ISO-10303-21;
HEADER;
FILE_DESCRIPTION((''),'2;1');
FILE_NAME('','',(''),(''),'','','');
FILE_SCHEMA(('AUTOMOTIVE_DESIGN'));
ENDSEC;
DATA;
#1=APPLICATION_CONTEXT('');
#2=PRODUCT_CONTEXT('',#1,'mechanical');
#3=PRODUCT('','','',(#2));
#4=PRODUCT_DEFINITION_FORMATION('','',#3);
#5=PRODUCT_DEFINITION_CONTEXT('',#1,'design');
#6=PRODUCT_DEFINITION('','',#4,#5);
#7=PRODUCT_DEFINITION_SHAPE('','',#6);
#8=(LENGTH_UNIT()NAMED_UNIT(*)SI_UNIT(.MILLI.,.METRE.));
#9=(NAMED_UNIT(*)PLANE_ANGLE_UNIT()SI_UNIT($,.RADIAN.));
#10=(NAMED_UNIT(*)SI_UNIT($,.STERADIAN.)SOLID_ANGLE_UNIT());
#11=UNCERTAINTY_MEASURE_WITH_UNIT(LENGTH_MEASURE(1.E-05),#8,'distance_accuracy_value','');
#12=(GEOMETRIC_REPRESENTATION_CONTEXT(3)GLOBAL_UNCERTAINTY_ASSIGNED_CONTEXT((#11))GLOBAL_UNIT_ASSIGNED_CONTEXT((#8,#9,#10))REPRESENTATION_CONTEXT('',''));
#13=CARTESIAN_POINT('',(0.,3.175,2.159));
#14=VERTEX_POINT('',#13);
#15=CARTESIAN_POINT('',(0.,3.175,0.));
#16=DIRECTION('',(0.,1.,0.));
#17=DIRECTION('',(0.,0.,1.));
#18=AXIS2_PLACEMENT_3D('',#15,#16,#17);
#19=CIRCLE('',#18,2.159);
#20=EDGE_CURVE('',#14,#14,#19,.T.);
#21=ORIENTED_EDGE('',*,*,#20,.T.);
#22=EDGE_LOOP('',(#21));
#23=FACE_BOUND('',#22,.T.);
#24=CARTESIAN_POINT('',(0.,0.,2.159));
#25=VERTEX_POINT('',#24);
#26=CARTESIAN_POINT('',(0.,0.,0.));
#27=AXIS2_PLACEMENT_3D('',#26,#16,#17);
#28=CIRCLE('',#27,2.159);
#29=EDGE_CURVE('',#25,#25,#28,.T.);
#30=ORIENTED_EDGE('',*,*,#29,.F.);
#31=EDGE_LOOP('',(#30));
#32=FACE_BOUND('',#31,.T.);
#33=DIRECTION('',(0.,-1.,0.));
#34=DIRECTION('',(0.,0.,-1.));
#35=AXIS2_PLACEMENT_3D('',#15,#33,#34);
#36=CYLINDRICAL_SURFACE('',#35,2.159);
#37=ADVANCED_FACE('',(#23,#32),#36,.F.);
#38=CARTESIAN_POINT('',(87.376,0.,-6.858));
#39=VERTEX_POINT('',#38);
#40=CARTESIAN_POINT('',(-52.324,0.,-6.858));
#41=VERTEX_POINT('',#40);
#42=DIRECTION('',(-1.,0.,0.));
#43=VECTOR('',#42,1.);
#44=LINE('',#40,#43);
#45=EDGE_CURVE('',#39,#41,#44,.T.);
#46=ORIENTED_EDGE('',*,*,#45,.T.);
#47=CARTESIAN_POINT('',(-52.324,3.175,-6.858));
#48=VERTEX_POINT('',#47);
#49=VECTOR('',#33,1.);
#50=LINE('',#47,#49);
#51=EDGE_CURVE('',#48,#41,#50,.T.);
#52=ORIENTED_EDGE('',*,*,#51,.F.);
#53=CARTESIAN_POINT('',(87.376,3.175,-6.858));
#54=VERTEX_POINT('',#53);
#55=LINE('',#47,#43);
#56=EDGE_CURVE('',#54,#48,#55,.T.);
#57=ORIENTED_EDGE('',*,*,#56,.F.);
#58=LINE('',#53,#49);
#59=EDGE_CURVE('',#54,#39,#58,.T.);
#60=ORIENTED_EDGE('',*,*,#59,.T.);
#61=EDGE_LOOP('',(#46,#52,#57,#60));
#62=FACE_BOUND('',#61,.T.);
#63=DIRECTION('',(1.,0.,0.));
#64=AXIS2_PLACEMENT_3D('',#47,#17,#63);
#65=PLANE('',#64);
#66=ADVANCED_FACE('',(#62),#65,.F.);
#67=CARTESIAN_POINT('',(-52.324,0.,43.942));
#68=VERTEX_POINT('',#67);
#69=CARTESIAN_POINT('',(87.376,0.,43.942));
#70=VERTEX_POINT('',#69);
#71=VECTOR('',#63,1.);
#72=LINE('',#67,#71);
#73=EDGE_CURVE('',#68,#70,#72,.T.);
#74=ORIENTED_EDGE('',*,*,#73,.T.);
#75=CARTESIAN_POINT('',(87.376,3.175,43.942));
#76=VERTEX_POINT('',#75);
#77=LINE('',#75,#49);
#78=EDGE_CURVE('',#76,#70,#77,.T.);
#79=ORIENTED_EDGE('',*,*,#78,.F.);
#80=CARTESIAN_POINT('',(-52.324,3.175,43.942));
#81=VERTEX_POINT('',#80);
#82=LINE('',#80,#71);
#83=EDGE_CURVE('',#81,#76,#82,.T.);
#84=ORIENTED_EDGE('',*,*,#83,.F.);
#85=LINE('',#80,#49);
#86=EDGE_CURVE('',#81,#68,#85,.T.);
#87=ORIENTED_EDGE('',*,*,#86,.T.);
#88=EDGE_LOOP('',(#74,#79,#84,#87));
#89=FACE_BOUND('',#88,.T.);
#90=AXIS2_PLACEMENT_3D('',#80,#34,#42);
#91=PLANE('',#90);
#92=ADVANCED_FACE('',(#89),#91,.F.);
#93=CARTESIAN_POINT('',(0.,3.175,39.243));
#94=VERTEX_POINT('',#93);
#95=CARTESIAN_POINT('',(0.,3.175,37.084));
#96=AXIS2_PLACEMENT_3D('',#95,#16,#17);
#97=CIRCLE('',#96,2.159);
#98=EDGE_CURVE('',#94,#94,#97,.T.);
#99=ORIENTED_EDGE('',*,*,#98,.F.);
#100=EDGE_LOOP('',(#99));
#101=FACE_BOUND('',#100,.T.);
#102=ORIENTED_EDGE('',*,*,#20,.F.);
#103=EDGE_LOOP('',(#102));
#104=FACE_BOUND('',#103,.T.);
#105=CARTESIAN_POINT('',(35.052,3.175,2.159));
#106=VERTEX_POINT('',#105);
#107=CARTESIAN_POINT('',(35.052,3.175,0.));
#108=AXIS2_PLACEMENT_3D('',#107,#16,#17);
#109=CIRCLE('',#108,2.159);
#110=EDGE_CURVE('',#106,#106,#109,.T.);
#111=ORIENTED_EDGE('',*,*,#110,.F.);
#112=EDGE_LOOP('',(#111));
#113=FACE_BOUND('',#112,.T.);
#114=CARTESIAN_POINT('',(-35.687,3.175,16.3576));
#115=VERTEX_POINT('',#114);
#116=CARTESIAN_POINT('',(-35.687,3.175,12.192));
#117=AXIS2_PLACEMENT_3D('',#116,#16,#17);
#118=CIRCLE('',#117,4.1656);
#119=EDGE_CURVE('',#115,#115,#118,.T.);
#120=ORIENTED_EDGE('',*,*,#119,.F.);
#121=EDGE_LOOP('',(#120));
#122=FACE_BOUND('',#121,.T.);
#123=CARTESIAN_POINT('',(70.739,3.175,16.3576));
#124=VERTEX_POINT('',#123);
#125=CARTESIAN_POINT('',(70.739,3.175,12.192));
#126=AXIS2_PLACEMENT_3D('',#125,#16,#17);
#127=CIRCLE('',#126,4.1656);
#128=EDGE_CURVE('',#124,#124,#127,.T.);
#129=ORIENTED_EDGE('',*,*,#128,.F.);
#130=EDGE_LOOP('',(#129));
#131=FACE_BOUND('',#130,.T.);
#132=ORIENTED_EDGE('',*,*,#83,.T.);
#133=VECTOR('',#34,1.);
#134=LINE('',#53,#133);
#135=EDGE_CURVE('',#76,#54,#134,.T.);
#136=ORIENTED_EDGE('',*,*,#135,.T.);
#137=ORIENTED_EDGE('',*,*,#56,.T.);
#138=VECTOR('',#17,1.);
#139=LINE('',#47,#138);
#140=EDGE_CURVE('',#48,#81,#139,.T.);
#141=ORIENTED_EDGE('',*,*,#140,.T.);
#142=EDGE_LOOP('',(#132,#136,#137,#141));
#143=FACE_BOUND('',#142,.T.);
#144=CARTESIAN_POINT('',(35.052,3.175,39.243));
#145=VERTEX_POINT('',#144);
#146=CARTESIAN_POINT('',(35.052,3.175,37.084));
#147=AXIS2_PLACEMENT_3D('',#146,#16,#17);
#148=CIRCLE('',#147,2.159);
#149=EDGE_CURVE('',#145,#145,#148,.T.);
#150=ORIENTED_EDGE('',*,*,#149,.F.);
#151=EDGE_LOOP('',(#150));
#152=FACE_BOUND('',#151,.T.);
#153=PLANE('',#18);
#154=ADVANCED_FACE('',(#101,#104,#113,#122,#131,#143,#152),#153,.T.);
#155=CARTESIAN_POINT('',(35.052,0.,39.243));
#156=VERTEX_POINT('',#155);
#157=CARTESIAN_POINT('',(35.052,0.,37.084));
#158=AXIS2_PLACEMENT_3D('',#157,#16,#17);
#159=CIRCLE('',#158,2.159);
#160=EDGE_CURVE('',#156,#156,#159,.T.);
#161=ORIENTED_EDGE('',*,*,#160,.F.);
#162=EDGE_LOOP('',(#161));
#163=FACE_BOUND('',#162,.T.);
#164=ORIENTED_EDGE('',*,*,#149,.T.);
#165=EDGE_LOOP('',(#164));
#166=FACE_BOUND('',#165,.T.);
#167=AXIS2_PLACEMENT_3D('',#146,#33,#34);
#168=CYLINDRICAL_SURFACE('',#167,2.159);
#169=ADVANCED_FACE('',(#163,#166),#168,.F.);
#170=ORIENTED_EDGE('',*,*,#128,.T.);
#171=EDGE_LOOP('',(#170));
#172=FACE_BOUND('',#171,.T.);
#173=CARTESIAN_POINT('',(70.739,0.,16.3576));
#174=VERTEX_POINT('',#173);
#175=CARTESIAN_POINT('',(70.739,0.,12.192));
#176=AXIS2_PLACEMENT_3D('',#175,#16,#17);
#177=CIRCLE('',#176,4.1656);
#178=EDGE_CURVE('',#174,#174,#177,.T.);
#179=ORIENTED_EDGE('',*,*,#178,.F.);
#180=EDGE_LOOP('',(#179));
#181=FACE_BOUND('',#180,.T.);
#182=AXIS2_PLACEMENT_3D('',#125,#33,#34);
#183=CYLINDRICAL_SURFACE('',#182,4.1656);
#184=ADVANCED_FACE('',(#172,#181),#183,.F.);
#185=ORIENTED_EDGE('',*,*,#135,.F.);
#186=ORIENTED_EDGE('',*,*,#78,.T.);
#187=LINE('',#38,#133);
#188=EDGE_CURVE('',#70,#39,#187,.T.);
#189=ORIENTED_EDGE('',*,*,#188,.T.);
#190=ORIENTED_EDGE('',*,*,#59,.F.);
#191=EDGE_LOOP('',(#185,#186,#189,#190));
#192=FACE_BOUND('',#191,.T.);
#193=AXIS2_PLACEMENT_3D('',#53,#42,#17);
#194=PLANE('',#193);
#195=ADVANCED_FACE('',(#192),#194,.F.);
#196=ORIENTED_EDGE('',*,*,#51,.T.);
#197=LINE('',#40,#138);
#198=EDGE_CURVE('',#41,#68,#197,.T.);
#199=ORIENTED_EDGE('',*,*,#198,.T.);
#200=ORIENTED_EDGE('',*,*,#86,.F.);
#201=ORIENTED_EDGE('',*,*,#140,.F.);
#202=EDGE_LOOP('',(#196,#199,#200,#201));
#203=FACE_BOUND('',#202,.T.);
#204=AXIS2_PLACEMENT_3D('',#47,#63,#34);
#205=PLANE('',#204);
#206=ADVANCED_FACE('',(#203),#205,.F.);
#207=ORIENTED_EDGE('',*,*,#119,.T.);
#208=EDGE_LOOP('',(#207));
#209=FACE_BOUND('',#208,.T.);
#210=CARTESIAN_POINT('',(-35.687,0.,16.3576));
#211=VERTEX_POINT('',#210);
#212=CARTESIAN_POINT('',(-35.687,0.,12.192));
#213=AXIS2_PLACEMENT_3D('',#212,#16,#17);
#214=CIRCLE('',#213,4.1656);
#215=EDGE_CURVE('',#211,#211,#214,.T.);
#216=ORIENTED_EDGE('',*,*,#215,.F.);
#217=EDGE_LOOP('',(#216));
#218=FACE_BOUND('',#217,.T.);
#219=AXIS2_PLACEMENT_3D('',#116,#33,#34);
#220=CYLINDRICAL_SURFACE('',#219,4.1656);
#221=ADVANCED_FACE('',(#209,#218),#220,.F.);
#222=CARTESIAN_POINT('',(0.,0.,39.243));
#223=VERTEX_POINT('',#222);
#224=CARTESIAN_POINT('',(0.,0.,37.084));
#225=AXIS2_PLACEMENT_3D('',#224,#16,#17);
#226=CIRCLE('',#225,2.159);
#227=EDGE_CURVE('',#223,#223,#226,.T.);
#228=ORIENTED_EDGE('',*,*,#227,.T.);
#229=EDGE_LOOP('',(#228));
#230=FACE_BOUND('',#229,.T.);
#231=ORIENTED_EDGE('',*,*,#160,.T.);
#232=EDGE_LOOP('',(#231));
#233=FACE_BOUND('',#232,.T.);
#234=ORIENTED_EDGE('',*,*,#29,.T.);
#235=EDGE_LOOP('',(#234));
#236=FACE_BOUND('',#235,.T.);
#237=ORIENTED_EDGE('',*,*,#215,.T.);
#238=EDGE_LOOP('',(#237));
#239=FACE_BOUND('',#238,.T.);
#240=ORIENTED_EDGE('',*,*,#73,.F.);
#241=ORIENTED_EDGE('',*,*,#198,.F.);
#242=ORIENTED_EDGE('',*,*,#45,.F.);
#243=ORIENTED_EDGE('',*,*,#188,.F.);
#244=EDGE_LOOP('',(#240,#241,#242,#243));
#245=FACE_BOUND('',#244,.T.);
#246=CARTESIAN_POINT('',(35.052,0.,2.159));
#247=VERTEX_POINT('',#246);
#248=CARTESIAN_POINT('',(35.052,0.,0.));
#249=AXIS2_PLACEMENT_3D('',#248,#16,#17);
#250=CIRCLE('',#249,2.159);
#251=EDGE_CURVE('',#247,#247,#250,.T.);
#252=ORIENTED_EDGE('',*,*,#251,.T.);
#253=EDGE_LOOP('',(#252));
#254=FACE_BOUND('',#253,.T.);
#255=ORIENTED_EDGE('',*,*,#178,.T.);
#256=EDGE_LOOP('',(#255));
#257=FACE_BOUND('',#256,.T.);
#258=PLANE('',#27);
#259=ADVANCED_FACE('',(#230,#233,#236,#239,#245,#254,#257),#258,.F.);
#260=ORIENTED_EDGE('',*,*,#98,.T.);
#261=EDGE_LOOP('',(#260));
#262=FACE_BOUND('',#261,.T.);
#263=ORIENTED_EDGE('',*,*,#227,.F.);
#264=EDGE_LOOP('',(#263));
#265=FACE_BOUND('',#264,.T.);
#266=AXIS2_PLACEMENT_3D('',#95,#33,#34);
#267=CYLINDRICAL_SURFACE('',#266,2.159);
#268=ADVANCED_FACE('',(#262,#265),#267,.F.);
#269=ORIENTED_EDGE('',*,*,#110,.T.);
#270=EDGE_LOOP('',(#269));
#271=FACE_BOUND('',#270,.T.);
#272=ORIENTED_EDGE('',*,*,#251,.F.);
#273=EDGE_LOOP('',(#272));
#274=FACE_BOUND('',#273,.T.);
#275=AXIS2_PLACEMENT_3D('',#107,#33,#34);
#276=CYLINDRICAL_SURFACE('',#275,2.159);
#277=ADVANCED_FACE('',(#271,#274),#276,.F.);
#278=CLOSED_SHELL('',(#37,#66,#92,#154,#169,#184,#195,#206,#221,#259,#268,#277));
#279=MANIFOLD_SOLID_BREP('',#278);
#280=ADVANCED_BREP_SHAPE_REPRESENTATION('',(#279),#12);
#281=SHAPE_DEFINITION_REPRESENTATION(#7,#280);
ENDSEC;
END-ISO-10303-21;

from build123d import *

# Parameters (mm, degrees)
SKETCH1_W           = 139.7
SKETCH1_H           = 50.8
SKETCH1_R           = 2.159
SKETCH1_R_2         = 4.1656
BOSS_EXTRUDE1_DEPTH = 3.175


with BuildPart() as part:
    # Sketch1 → Boss-Extrude1 (new body)
    with BuildSketch(Plane(origin=(0, 0, 0), x_dir=(1, 0, 0), z_dir=(0, 1, 0))):
        with Locations((17.526, -18.542)):
            Rectangle(SKETCH1_W, SKETCH1_H)
        with Locations(Location((0, 0, 0), (0, 0, 270))):
            Circle(SKETCH1_R, mode=Mode.SUBTRACT)
        with Locations(Location((35.052, 0, 0), (0, 0, 270))):
            Circle(SKETCH1_R, mode=Mode.SUBTRACT)
        with Locations(Location((0, -37.084, 0), (0, 0, 270))):
            Circle(SKETCH1_R, mode=Mode.SUBTRACT)
        with Locations(Location((35.052, -37.084, 0), (0, 0, 270))):
            Circle(SKETCH1_R, mode=Mode.SUBTRACT)
        with Locations(Location((-35.687, -12.192, 0), (0, 0, 270))):
            Circle(SKETCH1_R_2, mode=Mode.SUBTRACT)
        with Locations(Location((70.739, -12.192, 0), (0, 0, 270))):
            Circle(SKETCH1_R_2, mode=Mode.SUBTRACT)
    extrude(amount=BOSS_EXTRUDE1_DEPTH)


solid = part.part
